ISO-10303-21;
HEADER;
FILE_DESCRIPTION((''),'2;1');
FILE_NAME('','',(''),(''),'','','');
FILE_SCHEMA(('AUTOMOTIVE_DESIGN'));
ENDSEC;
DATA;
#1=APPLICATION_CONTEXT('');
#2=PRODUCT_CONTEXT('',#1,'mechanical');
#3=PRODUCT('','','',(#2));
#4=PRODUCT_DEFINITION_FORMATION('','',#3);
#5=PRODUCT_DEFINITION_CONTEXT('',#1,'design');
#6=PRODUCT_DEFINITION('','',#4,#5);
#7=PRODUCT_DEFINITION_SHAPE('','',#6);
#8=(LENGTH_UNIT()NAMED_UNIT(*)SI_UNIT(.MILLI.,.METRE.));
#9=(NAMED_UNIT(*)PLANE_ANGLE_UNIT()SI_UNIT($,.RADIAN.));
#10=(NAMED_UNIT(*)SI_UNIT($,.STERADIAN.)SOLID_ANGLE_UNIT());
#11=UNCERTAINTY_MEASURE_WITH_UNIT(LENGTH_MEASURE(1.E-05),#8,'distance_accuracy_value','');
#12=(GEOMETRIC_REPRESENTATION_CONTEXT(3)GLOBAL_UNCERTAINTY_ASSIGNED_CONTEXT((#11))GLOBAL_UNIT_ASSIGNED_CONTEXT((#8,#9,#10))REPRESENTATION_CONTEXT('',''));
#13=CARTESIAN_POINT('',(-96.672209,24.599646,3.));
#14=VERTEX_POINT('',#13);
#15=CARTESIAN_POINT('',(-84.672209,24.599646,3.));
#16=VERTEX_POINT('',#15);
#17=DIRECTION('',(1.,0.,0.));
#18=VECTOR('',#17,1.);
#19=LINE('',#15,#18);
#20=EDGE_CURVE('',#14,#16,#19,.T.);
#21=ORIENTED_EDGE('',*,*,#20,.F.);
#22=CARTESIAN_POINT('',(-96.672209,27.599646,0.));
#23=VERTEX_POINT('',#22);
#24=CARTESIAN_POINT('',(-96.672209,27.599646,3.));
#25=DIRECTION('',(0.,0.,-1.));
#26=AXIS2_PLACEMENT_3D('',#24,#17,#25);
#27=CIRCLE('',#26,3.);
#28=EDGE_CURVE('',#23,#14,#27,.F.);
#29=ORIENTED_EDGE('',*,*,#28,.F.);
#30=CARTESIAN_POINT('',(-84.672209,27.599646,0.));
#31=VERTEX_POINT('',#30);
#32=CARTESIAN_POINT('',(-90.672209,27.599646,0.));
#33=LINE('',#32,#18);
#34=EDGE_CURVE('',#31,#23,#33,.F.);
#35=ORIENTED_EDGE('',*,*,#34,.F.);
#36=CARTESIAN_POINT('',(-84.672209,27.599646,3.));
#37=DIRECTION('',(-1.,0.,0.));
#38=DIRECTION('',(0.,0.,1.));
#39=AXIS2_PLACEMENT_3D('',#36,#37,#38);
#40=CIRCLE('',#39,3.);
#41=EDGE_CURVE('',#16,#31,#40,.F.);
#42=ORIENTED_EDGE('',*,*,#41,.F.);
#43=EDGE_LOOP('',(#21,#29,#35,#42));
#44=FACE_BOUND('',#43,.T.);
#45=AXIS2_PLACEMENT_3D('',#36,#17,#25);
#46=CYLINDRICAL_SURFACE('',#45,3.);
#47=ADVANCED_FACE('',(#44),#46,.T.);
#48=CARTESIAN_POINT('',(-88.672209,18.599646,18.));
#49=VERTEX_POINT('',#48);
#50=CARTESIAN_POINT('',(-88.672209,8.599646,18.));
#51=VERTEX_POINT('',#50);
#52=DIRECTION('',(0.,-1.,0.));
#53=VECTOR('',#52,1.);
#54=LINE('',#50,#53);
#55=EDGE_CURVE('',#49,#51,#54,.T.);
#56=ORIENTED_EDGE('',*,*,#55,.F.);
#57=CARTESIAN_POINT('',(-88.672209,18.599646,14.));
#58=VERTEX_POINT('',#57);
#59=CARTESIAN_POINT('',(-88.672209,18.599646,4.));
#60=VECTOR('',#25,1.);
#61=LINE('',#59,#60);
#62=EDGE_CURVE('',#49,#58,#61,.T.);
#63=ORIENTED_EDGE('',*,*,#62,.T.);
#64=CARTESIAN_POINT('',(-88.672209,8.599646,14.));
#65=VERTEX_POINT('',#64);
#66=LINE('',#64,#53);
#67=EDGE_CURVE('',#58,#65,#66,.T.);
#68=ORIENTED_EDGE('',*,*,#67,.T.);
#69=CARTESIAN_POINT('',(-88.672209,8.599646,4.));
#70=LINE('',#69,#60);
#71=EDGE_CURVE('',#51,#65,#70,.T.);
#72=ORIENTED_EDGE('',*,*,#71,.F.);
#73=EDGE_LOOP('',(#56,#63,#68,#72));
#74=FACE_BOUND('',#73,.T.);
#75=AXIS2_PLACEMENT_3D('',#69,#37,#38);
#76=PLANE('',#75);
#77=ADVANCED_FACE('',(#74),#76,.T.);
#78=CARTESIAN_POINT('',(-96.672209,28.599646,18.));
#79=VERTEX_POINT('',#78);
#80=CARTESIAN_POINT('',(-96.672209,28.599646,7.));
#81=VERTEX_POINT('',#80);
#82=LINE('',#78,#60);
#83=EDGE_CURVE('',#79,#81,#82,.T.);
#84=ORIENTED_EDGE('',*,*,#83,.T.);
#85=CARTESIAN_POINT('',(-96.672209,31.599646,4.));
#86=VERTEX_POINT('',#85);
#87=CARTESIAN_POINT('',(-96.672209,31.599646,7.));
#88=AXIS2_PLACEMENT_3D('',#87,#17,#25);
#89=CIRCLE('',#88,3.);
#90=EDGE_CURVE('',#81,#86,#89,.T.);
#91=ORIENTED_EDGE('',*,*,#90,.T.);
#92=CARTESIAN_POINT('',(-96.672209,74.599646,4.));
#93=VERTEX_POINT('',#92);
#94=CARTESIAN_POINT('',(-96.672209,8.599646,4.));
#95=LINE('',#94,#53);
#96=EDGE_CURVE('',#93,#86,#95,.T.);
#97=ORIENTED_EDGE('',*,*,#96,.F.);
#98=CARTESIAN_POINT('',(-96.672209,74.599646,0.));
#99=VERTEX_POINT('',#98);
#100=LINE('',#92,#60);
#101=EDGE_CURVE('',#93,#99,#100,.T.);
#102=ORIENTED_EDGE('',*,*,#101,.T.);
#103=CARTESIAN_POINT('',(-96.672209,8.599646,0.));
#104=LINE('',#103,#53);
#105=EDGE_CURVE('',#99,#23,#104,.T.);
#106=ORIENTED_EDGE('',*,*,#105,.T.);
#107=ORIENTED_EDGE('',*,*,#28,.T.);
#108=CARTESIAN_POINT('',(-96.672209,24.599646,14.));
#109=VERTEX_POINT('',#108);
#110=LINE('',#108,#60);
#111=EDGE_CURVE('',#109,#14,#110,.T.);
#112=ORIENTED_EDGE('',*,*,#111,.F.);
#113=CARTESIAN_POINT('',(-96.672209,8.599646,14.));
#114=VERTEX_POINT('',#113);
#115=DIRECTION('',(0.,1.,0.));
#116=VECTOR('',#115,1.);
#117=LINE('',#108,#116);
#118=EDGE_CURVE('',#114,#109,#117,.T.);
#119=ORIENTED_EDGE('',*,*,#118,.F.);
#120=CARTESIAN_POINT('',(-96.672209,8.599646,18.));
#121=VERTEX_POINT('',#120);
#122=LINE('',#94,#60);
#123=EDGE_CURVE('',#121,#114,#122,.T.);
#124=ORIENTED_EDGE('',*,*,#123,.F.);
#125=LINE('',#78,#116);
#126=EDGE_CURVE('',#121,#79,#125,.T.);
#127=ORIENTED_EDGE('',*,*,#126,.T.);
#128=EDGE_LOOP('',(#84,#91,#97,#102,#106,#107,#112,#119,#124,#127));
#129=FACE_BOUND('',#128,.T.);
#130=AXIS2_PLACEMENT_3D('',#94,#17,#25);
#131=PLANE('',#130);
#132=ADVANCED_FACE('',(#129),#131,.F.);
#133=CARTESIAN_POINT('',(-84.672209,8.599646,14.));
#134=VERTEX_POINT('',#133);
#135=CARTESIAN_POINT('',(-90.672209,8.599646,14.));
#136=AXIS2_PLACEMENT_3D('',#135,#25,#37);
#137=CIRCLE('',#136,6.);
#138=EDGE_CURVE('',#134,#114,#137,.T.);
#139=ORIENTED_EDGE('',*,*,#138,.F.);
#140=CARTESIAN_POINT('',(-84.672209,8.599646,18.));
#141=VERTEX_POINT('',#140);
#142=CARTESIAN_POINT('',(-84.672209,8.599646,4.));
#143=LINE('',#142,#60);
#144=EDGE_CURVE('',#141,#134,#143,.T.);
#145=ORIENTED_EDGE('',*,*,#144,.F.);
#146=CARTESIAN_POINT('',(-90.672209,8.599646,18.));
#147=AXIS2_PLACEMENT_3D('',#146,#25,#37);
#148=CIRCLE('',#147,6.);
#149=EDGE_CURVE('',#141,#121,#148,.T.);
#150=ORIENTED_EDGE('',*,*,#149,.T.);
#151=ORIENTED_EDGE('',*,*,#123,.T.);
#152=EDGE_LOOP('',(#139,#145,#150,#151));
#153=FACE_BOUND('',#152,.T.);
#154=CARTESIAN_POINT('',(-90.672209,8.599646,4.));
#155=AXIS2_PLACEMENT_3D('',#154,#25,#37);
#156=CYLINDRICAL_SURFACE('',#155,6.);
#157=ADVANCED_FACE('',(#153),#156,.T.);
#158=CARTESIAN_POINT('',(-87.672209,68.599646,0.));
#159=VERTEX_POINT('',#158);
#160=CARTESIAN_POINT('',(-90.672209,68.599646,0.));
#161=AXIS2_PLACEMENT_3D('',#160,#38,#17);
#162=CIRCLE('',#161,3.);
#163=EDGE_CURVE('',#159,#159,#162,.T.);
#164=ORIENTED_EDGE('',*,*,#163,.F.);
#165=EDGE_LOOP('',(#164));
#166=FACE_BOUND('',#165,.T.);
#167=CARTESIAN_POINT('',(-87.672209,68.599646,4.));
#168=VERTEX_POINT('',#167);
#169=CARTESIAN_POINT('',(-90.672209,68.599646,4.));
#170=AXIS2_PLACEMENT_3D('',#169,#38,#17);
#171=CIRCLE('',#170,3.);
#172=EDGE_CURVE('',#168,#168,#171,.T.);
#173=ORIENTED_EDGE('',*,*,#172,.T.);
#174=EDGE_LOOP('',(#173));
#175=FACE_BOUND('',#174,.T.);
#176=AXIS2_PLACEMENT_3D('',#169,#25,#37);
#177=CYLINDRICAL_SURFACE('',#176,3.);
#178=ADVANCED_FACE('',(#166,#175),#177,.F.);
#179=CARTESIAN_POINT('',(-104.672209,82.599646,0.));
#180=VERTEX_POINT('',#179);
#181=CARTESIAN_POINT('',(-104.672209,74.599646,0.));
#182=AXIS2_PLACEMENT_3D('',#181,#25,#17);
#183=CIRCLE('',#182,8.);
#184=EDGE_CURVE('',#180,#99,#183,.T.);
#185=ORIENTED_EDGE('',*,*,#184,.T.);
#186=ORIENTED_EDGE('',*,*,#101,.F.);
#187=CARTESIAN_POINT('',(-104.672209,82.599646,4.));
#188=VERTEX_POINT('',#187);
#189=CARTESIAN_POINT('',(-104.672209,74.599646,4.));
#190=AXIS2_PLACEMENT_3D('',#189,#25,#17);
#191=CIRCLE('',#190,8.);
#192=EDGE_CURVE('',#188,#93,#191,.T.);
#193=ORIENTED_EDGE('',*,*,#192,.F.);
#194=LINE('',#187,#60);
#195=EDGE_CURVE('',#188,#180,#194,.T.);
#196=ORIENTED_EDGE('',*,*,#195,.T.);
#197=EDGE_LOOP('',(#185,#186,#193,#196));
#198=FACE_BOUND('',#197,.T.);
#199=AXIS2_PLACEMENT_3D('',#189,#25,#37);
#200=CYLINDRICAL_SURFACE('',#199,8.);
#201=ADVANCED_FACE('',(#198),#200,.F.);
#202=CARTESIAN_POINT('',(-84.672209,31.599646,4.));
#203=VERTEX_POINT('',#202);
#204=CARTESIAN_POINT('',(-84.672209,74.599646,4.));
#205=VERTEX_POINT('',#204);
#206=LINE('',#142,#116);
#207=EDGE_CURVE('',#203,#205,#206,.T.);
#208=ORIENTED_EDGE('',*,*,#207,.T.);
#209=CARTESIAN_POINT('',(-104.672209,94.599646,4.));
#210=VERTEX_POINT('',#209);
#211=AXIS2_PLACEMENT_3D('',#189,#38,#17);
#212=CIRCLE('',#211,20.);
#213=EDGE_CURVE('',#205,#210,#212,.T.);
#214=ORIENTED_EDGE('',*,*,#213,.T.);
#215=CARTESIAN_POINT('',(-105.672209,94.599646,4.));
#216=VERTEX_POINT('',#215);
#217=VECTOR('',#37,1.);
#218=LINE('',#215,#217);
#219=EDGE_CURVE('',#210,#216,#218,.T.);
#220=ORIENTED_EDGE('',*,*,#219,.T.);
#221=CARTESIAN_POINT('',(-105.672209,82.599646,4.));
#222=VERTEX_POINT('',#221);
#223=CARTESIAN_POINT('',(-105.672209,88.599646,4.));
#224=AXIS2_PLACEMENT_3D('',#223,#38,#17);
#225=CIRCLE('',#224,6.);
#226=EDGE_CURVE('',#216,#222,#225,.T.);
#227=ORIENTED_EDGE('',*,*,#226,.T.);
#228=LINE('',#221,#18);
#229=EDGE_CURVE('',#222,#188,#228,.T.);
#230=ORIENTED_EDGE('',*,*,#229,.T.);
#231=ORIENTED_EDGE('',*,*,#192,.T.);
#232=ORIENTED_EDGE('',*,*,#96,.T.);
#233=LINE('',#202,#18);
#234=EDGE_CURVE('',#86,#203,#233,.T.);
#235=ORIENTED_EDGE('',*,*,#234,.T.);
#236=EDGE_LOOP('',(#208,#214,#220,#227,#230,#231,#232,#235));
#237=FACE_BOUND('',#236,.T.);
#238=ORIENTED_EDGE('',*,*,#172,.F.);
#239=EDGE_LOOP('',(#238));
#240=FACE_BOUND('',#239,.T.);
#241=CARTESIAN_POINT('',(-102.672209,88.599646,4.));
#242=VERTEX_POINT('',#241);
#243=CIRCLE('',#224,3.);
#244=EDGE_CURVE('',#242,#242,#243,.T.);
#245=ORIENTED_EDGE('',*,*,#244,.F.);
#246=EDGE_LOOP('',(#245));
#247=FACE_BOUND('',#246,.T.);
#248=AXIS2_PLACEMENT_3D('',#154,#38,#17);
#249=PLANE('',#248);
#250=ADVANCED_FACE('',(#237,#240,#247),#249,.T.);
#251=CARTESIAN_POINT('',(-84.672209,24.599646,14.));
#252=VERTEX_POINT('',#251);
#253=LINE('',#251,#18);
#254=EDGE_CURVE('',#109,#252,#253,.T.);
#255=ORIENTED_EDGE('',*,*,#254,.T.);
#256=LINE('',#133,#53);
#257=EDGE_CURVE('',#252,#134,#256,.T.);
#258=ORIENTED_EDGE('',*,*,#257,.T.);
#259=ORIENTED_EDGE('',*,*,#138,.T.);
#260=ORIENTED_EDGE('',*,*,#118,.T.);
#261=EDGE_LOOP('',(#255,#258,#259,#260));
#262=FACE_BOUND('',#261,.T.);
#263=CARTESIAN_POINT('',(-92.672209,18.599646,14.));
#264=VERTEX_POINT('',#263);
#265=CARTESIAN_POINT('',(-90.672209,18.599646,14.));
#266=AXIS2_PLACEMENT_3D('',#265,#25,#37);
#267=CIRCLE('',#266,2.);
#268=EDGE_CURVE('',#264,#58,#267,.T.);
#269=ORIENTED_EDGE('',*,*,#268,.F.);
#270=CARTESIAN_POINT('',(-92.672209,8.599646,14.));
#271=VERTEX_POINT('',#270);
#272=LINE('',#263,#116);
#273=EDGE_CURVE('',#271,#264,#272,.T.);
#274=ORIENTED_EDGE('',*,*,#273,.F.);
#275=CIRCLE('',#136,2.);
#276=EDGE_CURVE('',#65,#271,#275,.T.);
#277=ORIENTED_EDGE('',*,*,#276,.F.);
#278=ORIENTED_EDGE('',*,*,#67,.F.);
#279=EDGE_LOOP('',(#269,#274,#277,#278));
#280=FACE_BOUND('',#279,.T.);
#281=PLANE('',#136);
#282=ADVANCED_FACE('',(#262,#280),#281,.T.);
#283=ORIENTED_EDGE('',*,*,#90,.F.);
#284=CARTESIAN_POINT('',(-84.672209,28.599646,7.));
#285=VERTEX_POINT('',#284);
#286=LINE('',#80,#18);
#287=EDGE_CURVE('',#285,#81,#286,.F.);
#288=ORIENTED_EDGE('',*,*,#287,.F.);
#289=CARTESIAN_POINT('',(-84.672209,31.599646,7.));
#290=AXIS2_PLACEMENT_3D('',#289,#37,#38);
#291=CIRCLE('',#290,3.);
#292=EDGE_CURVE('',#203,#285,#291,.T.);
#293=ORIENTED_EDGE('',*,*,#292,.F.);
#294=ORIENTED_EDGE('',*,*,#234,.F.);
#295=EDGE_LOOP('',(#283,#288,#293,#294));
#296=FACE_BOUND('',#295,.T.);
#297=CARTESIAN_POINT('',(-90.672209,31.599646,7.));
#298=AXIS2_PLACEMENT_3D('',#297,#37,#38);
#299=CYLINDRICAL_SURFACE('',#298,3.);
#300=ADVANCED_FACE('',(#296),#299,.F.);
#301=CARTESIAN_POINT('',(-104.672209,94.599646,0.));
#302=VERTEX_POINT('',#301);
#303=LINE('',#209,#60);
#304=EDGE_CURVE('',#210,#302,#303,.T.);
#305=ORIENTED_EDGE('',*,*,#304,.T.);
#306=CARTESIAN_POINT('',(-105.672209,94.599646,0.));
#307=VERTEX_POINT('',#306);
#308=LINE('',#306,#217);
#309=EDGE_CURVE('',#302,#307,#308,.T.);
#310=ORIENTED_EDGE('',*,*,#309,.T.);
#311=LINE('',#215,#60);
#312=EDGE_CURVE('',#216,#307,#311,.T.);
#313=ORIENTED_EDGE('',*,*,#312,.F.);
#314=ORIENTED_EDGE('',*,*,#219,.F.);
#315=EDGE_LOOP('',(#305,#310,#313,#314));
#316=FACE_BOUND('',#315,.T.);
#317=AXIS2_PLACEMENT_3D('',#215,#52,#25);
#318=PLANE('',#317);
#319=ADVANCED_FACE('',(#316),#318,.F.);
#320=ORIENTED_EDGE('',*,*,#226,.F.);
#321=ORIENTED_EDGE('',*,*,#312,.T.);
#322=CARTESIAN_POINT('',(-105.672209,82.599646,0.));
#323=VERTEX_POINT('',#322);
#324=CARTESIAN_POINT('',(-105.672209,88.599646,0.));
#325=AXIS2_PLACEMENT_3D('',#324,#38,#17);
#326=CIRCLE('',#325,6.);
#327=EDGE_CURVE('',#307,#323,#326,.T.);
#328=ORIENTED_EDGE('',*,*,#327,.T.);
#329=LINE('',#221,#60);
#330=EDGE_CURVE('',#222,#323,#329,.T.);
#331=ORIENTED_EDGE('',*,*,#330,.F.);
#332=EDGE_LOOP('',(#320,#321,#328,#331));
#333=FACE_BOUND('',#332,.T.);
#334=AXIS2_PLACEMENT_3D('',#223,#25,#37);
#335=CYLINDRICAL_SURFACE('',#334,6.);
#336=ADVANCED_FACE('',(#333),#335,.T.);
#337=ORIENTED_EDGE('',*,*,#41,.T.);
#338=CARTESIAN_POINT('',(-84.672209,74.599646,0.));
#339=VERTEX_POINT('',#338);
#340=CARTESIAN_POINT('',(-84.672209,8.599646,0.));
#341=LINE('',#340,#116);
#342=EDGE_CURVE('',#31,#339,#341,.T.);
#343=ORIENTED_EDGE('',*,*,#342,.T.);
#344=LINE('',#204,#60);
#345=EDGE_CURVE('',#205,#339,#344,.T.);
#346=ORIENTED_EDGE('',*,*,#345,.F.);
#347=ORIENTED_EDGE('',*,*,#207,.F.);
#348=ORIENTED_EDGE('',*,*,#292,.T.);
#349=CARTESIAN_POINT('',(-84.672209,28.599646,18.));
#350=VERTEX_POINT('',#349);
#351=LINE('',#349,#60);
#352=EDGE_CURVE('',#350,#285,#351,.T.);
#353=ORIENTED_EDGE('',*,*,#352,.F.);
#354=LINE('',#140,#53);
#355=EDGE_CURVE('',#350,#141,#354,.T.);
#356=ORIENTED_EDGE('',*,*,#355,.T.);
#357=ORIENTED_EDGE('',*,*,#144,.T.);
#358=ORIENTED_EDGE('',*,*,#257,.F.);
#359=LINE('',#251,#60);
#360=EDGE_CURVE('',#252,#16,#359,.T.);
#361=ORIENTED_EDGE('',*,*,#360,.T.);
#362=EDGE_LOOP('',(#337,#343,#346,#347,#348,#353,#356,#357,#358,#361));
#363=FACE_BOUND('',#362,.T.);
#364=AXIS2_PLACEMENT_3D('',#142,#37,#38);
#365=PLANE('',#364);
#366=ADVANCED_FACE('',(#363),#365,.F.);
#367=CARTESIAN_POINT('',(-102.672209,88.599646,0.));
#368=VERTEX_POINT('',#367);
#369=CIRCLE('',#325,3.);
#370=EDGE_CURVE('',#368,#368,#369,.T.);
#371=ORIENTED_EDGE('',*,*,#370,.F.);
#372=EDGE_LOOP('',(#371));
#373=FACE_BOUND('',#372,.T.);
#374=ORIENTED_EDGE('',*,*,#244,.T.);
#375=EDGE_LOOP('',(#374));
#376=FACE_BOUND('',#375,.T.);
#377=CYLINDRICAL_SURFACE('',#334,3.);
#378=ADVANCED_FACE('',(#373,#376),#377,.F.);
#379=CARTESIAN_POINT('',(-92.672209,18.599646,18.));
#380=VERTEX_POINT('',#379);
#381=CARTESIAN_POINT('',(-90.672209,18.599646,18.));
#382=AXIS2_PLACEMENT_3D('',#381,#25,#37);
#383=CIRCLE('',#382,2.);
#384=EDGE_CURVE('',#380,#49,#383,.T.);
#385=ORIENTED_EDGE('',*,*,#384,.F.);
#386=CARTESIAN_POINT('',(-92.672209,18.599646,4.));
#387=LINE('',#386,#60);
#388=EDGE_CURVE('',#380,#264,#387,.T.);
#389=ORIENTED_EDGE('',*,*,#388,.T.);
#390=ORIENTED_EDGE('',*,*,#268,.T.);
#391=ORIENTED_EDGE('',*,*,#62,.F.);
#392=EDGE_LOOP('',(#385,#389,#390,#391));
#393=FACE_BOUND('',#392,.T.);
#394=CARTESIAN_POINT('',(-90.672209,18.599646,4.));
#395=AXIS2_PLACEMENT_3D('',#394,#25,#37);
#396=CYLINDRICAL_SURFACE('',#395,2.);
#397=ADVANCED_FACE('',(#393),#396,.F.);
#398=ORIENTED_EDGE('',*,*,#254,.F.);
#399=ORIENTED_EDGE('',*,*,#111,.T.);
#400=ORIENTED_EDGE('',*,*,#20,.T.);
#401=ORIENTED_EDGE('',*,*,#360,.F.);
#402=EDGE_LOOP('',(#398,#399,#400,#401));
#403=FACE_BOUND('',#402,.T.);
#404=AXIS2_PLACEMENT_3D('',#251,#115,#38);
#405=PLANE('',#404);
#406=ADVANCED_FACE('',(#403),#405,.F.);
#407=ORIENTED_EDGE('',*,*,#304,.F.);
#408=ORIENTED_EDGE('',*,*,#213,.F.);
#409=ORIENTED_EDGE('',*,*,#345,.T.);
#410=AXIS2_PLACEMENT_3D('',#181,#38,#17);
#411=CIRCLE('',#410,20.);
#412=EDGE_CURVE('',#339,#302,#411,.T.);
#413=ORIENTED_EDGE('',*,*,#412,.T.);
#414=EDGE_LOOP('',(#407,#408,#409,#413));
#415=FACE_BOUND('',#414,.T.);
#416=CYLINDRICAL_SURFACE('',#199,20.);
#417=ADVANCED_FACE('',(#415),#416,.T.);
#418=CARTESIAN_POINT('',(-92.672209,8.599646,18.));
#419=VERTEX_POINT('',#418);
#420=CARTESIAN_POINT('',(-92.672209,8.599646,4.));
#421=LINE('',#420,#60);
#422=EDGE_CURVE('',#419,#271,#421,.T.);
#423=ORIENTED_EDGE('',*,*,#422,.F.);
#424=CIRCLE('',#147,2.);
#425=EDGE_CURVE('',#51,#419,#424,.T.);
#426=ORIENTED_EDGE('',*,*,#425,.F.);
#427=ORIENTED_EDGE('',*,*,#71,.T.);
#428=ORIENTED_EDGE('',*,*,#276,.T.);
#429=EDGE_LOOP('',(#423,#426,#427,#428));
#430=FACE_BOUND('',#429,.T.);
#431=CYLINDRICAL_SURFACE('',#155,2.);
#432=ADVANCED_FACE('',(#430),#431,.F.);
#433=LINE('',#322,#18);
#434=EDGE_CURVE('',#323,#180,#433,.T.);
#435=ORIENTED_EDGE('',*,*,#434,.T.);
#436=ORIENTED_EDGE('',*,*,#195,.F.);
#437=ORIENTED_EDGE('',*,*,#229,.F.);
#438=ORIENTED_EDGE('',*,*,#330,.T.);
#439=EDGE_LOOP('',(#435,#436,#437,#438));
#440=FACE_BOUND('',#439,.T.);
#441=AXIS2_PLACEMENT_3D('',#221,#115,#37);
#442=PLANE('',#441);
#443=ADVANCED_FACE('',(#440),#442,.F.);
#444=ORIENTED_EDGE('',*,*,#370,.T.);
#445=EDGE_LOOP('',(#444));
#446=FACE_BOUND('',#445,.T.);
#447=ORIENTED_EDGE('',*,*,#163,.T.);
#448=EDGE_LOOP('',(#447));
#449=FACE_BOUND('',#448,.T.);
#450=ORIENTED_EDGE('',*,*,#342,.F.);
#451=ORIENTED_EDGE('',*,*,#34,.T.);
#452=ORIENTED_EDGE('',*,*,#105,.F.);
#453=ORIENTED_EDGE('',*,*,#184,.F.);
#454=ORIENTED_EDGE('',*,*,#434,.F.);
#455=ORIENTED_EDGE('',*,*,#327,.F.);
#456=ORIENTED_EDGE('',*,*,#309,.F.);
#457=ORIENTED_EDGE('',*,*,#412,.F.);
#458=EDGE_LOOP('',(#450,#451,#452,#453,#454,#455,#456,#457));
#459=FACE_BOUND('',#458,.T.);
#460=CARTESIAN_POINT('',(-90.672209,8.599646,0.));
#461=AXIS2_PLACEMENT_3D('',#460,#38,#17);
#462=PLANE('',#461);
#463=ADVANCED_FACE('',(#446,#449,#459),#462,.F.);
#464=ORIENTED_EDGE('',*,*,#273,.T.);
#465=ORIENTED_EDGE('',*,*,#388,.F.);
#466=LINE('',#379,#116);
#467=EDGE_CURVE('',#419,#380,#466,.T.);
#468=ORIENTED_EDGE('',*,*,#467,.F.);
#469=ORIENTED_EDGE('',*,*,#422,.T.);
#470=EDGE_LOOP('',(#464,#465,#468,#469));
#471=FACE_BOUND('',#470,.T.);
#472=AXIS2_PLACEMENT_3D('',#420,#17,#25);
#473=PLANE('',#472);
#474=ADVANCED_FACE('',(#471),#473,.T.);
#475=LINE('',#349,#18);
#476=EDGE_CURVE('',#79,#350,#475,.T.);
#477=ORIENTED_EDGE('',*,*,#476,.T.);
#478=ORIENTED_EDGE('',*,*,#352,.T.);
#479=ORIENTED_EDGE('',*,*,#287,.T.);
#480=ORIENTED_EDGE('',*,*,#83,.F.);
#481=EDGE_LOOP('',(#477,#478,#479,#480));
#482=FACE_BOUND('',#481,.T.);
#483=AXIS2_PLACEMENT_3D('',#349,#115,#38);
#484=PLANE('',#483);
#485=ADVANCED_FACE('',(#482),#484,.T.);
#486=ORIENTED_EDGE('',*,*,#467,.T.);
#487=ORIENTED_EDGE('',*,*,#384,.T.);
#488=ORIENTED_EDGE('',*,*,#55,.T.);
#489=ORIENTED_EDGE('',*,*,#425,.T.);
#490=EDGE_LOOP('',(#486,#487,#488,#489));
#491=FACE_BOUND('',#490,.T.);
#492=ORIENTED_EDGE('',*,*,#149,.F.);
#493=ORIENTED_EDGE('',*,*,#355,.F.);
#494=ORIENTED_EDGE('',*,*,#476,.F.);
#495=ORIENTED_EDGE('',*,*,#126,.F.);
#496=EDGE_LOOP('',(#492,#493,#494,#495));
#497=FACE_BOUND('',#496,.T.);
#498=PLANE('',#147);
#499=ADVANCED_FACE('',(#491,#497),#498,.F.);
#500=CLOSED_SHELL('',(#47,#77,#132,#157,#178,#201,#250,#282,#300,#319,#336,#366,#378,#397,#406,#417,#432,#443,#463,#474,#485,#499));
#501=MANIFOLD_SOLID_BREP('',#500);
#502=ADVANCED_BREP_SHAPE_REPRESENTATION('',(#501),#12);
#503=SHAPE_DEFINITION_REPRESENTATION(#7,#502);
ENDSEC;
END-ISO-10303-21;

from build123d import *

# Parameters (mm, degrees)
SKETCH1_R           = 3
BOSS_EXTRUDE1_DEPTH = 4
BOSS_EXTRUDE2_DEPTH = 14
CUT_EXTRUDE1_DEPTH  = 14
FILLET1_R           = 3


with BuildPart() as part:
    # Sketch1 → Boss-Extrude1 (new body)
    with BuildSketch(Plane.XY):
        with BuildLine():
            Line((-96.672208827, 8.599646064), (-96.672208827, 74.599646064))
            ThreePointArc((-96.672208827, 74.599646064), (-99.015354577, 80.256500313), (-104.672208827, 82.599646064))
            Line((-104.672208827, 82.599646064), (-105.672208827, 82.599646064))
            ThreePointArc((-105.672208827, 82.599646064), (-111.672208827, 88.599646064), (-105.672208827, 94.599646064))
            Line((-105.672208827, 94.599646064), (-104.672208827, 94.599646064))
            ThreePointArc((-104.672208827, 94.599646064), (-90.530073203, 88.741781688), (-84.672208827, 74.599646064))
            Line((-84.672208827, 74.599646064), (-84.672208827, 8.599646064))
            ThreePointArc((-84.672208827, 8.599646064), (-90.672208827, 2.599646064), (-96.672208827, 8.599646064))
        make_face()
        with Locations((-90.672208827, 68.599646064)):
            Circle(SKETCH1_R, mode=Mode.SUBTRACT)
        with Locations((-105.672208827, 88.599646064)):
            Circle(SKETCH1_R, mode=Mode.SUBTRACT)
        with BuildLine():
            Line((-92.672208827, 8.599646064), (-92.672208827, 18.599646064))
            ThreePointArc((-92.672208827, 18.599646064), (-90.672208827, 20.599646064), (-88.672208827, 18.599646064))
            Line((-88.672208827, 18.599646064), (-88.672208827, 8.599646064))
            ThreePointArc((-88.672208827, 8.599646064), (-90.672208827, 6.599646064), (-92.672208827, 8.599646064))
        make_face(mode=Mode.SUBTRACT)
    extrude(amount=BOSS_EXTRUDE1_DEPTH)

    # Sketch2 → Boss-Extrude2 (add)
    with BuildSketch(Plane(origin=(0, 0, 4), x_dir=(-1, 0, 0), z_dir=(0, 0, -1))):
        with BuildLine():
            Line((84.672208827, 28.599646064), (96.672208827, 28.599646064))
            Line((96.672208827, 28.599646064), (96.672208827, 8.599646064))
            ThreePointArc((96.672208827, 8.599646064), (90.672208827, 2.599646064), (84.672208827, 8.599646064))
            Line((84.672208827, 8.599646064), (84.672208827, 28.599646064))
        make_face()
        with BuildLine():
            Line((88.672208827, 8.599646064), (88.672208827, 18.599646064))
            ThreePointArc((88.672208827, 18.599646064), (90.672208827, 20.599646064), (92.672208827, 18.599646064))
            Line((92.672208827, 18.599646064), (92.672208827, 8.599646064))
            ThreePointArc((92.672208827, 8.599646064), (90.672208827, 6.599646064), (88.672208827, 8.599646064))
        make_face(mode=Mode.SUBTRACT)
    extrude(amount=-BOSS_EXTRUDE2_DEPTH)

    # Sketch3 → Cut-Extrude1 (cut)
    with BuildSketch(Plane(origin=(0, 0, 0), x_dir=(-1, 0, 0), z_dir=(0, 0, -1))):
        with BuildLine():
            Line((84.672208827, 8.599646064), (84.672208827, 24.599646064))
            Line((84.672208827, 24.599646064), (96.672208827, 24.599646064))
            Line((96.672208827, 24.599646064), (96.672208827, 8.599646064))
            ThreePointArc((96.672208827, 8.599646064), (90.672208827, 2.599646064), (84.672208827, 8.599646064))
        make_face()
        with BuildLine():
            Line((88.672208827, 8.599646064), (88.672208827, 18.599646064))
            ThreePointArc((88.672208827, 18.599646064), (90.672208827, 20.599646064), (92.672208827, 18.599646064))
            Line((92.672208827, 18.599646064), (92.672208827, 8.599646064))
            ThreePointArc((92.672208827, 8.599646064), (90.672208827, 6.599646064), (88.672208827, 8.599646064))
        make_face(mode=Mode.SUBTRACT)
    extrude(amount=-CUT_EXTRUDE1_DEPTH, mode=Mode.SUBTRACT)

    # Fillet1
    fillet1_edges = [part.edges().sort_by_distance(p)[0] for p in [
        (-90.672208827, 28.599646064, 4),
        (-90.672208827, 24.599646064, 0),
    ]]
    fillet(fillet1_edges, radius=FILLET1_R)


solid = part.part
